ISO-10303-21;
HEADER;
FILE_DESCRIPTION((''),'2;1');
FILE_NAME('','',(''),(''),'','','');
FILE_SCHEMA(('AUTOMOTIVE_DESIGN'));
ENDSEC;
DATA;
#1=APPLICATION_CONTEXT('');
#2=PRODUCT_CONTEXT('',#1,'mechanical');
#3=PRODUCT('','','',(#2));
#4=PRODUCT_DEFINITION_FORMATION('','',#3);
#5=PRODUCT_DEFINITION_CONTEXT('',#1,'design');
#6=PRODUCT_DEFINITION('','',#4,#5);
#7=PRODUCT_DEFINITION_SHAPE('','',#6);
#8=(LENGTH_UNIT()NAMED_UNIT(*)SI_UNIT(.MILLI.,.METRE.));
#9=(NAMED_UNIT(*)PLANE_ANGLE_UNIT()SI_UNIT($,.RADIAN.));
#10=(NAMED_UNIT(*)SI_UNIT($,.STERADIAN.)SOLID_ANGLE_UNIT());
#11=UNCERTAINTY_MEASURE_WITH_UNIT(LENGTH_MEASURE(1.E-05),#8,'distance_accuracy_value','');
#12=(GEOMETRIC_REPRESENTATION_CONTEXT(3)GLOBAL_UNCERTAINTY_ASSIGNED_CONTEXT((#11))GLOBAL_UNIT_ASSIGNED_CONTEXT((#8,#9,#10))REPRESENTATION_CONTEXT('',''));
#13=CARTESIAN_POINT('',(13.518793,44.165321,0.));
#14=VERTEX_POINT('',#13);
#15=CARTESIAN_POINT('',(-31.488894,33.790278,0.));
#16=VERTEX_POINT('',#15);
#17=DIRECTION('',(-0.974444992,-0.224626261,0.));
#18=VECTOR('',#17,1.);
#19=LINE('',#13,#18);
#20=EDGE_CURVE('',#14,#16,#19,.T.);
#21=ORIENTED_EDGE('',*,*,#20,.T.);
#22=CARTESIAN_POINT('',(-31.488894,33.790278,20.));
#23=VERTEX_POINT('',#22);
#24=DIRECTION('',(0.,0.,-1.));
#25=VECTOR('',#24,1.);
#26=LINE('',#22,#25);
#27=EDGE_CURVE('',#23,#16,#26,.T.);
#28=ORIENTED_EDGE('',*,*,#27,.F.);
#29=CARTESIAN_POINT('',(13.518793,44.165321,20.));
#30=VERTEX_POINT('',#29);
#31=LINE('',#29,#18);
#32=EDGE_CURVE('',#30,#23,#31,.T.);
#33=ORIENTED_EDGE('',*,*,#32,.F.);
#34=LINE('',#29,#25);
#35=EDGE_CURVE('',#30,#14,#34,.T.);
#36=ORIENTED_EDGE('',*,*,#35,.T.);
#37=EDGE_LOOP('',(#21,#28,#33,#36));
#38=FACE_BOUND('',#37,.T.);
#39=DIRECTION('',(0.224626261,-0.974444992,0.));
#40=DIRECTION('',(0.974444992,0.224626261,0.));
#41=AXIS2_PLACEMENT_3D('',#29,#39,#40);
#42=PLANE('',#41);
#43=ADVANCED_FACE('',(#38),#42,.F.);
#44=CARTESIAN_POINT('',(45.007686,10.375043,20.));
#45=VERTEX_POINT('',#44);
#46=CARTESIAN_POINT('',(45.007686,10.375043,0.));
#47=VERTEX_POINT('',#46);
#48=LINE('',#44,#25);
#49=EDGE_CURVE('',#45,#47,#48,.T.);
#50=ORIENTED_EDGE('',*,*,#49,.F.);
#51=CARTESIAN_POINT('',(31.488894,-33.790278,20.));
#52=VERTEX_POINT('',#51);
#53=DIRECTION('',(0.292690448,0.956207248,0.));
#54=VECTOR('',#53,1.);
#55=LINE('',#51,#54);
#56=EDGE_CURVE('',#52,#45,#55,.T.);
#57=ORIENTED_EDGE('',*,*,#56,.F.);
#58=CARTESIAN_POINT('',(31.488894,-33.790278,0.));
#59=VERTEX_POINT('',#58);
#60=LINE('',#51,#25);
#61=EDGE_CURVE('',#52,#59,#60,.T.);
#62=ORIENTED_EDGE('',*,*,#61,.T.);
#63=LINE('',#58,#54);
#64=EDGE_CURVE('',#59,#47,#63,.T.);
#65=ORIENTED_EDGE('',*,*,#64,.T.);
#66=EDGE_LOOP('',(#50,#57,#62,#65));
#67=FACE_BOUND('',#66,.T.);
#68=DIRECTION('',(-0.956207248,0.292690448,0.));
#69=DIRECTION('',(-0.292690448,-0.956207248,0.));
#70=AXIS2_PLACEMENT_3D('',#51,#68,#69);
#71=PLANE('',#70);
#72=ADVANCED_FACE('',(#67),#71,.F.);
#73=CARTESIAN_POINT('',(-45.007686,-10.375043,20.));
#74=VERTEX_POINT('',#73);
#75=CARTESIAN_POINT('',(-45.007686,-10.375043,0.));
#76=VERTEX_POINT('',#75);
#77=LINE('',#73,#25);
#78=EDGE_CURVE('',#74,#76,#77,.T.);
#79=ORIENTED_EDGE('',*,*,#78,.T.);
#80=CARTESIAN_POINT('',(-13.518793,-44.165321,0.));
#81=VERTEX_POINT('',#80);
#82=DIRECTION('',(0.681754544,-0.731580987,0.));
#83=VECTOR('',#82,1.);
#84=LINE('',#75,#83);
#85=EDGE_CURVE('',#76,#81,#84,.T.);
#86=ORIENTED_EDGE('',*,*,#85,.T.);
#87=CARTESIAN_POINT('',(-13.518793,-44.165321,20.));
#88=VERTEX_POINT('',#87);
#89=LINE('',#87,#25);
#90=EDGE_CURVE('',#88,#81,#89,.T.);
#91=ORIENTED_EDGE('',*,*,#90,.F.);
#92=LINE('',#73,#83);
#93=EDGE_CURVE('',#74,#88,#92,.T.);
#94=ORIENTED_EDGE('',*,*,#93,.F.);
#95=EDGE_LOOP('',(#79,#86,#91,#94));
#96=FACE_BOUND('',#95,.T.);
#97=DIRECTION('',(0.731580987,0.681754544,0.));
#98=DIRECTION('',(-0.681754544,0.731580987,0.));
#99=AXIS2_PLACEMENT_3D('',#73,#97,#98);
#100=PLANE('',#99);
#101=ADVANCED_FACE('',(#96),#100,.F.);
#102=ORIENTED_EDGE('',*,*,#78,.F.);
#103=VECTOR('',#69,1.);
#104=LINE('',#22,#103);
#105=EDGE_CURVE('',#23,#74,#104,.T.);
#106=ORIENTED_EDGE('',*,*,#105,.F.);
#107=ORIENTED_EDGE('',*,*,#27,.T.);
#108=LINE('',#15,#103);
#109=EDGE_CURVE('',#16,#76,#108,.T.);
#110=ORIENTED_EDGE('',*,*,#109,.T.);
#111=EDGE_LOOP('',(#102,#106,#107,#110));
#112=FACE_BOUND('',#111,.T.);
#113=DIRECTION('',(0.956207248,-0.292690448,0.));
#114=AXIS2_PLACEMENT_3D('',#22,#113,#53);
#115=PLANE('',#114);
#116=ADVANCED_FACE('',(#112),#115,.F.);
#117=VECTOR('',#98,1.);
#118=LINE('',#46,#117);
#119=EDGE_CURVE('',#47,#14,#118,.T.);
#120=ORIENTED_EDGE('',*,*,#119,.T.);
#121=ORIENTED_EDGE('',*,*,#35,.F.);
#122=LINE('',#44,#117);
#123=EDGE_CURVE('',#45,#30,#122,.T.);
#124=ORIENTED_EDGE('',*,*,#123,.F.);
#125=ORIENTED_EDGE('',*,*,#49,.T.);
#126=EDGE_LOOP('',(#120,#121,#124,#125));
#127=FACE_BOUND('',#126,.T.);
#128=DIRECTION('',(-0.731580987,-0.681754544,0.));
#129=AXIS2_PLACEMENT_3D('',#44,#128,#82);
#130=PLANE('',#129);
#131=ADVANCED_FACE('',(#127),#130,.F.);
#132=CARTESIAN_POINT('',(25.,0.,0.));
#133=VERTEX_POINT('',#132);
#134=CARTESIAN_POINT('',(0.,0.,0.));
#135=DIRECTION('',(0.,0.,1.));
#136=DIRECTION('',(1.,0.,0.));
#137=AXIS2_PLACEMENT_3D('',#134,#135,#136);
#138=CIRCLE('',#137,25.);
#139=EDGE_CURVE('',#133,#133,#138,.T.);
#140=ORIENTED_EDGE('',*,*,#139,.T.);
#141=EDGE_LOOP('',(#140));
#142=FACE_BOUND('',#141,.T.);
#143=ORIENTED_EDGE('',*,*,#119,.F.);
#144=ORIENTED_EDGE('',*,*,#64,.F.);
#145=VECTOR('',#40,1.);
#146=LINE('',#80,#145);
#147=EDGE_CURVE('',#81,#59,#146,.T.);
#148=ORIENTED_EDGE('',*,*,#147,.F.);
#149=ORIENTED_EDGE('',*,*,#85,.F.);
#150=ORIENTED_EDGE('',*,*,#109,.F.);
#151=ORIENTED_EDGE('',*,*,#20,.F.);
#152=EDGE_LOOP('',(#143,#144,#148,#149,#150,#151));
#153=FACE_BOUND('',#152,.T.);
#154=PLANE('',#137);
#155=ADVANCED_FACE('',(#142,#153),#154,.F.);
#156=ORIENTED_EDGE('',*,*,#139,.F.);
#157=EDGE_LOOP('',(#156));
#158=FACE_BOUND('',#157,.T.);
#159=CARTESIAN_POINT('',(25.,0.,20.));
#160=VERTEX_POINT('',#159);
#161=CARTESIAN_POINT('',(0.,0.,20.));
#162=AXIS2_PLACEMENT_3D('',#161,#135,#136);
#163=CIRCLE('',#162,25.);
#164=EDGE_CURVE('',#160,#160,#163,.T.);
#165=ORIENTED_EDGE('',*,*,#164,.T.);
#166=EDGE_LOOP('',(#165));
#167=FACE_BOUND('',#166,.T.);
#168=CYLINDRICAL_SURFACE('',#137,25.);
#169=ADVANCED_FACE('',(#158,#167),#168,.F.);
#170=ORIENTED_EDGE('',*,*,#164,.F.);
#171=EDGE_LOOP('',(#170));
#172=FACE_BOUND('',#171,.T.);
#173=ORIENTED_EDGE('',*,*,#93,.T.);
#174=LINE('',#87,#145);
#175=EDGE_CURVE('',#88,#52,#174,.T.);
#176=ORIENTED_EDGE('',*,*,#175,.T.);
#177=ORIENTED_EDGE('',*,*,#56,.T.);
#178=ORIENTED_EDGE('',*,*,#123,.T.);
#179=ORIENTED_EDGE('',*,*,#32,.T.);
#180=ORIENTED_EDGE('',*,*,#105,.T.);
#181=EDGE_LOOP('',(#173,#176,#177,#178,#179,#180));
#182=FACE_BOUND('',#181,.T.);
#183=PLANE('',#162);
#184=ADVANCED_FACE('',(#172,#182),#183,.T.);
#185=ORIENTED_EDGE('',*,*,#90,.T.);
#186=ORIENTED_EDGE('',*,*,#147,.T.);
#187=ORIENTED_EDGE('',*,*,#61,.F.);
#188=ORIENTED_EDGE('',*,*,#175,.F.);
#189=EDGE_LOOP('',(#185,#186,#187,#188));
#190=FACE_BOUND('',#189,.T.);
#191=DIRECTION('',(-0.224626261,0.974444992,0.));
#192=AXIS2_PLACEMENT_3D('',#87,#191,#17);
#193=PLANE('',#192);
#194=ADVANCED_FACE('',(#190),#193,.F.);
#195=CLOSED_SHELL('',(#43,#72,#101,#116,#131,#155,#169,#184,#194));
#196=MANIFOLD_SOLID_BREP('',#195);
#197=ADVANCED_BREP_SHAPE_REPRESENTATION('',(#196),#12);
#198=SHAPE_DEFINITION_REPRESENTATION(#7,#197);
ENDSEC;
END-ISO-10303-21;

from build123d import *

# Parameters (mm, degrees)
BOSS_EXTRU_1_DEPTH      = 20
ESQUISSE2_R             = 25
ENL_V_MAT_EXTRU_1_DEPTH = 20


with BuildPart() as part:
    # Esquisse1 → Boss.-Extru.1 (new body)
    with BuildSketch(Plane.XY):
        Polygon((-31.488893583, 33.790278399), (-45.007686286, -10.37504258), (-13.518792703, -44.165320979), (31.488893583, -33.790278399), (45.007686286, 10.37504258), (13.518792703, 44.165320979), align=None)
    extrude(amount=BOSS_EXTRU_1_DEPTH)

    # Esquisse2 → Enlèv. mat.-Extru.1 (cut)
    with BuildSketch(Plane.XY.offset(20)):
        Circle(ESQUISSE2_R)
    extrude(amount=-ENL_V_MAT_EXTRU_1_DEPTH, mode=Mode.SUBTRACT)


solid = part.part
